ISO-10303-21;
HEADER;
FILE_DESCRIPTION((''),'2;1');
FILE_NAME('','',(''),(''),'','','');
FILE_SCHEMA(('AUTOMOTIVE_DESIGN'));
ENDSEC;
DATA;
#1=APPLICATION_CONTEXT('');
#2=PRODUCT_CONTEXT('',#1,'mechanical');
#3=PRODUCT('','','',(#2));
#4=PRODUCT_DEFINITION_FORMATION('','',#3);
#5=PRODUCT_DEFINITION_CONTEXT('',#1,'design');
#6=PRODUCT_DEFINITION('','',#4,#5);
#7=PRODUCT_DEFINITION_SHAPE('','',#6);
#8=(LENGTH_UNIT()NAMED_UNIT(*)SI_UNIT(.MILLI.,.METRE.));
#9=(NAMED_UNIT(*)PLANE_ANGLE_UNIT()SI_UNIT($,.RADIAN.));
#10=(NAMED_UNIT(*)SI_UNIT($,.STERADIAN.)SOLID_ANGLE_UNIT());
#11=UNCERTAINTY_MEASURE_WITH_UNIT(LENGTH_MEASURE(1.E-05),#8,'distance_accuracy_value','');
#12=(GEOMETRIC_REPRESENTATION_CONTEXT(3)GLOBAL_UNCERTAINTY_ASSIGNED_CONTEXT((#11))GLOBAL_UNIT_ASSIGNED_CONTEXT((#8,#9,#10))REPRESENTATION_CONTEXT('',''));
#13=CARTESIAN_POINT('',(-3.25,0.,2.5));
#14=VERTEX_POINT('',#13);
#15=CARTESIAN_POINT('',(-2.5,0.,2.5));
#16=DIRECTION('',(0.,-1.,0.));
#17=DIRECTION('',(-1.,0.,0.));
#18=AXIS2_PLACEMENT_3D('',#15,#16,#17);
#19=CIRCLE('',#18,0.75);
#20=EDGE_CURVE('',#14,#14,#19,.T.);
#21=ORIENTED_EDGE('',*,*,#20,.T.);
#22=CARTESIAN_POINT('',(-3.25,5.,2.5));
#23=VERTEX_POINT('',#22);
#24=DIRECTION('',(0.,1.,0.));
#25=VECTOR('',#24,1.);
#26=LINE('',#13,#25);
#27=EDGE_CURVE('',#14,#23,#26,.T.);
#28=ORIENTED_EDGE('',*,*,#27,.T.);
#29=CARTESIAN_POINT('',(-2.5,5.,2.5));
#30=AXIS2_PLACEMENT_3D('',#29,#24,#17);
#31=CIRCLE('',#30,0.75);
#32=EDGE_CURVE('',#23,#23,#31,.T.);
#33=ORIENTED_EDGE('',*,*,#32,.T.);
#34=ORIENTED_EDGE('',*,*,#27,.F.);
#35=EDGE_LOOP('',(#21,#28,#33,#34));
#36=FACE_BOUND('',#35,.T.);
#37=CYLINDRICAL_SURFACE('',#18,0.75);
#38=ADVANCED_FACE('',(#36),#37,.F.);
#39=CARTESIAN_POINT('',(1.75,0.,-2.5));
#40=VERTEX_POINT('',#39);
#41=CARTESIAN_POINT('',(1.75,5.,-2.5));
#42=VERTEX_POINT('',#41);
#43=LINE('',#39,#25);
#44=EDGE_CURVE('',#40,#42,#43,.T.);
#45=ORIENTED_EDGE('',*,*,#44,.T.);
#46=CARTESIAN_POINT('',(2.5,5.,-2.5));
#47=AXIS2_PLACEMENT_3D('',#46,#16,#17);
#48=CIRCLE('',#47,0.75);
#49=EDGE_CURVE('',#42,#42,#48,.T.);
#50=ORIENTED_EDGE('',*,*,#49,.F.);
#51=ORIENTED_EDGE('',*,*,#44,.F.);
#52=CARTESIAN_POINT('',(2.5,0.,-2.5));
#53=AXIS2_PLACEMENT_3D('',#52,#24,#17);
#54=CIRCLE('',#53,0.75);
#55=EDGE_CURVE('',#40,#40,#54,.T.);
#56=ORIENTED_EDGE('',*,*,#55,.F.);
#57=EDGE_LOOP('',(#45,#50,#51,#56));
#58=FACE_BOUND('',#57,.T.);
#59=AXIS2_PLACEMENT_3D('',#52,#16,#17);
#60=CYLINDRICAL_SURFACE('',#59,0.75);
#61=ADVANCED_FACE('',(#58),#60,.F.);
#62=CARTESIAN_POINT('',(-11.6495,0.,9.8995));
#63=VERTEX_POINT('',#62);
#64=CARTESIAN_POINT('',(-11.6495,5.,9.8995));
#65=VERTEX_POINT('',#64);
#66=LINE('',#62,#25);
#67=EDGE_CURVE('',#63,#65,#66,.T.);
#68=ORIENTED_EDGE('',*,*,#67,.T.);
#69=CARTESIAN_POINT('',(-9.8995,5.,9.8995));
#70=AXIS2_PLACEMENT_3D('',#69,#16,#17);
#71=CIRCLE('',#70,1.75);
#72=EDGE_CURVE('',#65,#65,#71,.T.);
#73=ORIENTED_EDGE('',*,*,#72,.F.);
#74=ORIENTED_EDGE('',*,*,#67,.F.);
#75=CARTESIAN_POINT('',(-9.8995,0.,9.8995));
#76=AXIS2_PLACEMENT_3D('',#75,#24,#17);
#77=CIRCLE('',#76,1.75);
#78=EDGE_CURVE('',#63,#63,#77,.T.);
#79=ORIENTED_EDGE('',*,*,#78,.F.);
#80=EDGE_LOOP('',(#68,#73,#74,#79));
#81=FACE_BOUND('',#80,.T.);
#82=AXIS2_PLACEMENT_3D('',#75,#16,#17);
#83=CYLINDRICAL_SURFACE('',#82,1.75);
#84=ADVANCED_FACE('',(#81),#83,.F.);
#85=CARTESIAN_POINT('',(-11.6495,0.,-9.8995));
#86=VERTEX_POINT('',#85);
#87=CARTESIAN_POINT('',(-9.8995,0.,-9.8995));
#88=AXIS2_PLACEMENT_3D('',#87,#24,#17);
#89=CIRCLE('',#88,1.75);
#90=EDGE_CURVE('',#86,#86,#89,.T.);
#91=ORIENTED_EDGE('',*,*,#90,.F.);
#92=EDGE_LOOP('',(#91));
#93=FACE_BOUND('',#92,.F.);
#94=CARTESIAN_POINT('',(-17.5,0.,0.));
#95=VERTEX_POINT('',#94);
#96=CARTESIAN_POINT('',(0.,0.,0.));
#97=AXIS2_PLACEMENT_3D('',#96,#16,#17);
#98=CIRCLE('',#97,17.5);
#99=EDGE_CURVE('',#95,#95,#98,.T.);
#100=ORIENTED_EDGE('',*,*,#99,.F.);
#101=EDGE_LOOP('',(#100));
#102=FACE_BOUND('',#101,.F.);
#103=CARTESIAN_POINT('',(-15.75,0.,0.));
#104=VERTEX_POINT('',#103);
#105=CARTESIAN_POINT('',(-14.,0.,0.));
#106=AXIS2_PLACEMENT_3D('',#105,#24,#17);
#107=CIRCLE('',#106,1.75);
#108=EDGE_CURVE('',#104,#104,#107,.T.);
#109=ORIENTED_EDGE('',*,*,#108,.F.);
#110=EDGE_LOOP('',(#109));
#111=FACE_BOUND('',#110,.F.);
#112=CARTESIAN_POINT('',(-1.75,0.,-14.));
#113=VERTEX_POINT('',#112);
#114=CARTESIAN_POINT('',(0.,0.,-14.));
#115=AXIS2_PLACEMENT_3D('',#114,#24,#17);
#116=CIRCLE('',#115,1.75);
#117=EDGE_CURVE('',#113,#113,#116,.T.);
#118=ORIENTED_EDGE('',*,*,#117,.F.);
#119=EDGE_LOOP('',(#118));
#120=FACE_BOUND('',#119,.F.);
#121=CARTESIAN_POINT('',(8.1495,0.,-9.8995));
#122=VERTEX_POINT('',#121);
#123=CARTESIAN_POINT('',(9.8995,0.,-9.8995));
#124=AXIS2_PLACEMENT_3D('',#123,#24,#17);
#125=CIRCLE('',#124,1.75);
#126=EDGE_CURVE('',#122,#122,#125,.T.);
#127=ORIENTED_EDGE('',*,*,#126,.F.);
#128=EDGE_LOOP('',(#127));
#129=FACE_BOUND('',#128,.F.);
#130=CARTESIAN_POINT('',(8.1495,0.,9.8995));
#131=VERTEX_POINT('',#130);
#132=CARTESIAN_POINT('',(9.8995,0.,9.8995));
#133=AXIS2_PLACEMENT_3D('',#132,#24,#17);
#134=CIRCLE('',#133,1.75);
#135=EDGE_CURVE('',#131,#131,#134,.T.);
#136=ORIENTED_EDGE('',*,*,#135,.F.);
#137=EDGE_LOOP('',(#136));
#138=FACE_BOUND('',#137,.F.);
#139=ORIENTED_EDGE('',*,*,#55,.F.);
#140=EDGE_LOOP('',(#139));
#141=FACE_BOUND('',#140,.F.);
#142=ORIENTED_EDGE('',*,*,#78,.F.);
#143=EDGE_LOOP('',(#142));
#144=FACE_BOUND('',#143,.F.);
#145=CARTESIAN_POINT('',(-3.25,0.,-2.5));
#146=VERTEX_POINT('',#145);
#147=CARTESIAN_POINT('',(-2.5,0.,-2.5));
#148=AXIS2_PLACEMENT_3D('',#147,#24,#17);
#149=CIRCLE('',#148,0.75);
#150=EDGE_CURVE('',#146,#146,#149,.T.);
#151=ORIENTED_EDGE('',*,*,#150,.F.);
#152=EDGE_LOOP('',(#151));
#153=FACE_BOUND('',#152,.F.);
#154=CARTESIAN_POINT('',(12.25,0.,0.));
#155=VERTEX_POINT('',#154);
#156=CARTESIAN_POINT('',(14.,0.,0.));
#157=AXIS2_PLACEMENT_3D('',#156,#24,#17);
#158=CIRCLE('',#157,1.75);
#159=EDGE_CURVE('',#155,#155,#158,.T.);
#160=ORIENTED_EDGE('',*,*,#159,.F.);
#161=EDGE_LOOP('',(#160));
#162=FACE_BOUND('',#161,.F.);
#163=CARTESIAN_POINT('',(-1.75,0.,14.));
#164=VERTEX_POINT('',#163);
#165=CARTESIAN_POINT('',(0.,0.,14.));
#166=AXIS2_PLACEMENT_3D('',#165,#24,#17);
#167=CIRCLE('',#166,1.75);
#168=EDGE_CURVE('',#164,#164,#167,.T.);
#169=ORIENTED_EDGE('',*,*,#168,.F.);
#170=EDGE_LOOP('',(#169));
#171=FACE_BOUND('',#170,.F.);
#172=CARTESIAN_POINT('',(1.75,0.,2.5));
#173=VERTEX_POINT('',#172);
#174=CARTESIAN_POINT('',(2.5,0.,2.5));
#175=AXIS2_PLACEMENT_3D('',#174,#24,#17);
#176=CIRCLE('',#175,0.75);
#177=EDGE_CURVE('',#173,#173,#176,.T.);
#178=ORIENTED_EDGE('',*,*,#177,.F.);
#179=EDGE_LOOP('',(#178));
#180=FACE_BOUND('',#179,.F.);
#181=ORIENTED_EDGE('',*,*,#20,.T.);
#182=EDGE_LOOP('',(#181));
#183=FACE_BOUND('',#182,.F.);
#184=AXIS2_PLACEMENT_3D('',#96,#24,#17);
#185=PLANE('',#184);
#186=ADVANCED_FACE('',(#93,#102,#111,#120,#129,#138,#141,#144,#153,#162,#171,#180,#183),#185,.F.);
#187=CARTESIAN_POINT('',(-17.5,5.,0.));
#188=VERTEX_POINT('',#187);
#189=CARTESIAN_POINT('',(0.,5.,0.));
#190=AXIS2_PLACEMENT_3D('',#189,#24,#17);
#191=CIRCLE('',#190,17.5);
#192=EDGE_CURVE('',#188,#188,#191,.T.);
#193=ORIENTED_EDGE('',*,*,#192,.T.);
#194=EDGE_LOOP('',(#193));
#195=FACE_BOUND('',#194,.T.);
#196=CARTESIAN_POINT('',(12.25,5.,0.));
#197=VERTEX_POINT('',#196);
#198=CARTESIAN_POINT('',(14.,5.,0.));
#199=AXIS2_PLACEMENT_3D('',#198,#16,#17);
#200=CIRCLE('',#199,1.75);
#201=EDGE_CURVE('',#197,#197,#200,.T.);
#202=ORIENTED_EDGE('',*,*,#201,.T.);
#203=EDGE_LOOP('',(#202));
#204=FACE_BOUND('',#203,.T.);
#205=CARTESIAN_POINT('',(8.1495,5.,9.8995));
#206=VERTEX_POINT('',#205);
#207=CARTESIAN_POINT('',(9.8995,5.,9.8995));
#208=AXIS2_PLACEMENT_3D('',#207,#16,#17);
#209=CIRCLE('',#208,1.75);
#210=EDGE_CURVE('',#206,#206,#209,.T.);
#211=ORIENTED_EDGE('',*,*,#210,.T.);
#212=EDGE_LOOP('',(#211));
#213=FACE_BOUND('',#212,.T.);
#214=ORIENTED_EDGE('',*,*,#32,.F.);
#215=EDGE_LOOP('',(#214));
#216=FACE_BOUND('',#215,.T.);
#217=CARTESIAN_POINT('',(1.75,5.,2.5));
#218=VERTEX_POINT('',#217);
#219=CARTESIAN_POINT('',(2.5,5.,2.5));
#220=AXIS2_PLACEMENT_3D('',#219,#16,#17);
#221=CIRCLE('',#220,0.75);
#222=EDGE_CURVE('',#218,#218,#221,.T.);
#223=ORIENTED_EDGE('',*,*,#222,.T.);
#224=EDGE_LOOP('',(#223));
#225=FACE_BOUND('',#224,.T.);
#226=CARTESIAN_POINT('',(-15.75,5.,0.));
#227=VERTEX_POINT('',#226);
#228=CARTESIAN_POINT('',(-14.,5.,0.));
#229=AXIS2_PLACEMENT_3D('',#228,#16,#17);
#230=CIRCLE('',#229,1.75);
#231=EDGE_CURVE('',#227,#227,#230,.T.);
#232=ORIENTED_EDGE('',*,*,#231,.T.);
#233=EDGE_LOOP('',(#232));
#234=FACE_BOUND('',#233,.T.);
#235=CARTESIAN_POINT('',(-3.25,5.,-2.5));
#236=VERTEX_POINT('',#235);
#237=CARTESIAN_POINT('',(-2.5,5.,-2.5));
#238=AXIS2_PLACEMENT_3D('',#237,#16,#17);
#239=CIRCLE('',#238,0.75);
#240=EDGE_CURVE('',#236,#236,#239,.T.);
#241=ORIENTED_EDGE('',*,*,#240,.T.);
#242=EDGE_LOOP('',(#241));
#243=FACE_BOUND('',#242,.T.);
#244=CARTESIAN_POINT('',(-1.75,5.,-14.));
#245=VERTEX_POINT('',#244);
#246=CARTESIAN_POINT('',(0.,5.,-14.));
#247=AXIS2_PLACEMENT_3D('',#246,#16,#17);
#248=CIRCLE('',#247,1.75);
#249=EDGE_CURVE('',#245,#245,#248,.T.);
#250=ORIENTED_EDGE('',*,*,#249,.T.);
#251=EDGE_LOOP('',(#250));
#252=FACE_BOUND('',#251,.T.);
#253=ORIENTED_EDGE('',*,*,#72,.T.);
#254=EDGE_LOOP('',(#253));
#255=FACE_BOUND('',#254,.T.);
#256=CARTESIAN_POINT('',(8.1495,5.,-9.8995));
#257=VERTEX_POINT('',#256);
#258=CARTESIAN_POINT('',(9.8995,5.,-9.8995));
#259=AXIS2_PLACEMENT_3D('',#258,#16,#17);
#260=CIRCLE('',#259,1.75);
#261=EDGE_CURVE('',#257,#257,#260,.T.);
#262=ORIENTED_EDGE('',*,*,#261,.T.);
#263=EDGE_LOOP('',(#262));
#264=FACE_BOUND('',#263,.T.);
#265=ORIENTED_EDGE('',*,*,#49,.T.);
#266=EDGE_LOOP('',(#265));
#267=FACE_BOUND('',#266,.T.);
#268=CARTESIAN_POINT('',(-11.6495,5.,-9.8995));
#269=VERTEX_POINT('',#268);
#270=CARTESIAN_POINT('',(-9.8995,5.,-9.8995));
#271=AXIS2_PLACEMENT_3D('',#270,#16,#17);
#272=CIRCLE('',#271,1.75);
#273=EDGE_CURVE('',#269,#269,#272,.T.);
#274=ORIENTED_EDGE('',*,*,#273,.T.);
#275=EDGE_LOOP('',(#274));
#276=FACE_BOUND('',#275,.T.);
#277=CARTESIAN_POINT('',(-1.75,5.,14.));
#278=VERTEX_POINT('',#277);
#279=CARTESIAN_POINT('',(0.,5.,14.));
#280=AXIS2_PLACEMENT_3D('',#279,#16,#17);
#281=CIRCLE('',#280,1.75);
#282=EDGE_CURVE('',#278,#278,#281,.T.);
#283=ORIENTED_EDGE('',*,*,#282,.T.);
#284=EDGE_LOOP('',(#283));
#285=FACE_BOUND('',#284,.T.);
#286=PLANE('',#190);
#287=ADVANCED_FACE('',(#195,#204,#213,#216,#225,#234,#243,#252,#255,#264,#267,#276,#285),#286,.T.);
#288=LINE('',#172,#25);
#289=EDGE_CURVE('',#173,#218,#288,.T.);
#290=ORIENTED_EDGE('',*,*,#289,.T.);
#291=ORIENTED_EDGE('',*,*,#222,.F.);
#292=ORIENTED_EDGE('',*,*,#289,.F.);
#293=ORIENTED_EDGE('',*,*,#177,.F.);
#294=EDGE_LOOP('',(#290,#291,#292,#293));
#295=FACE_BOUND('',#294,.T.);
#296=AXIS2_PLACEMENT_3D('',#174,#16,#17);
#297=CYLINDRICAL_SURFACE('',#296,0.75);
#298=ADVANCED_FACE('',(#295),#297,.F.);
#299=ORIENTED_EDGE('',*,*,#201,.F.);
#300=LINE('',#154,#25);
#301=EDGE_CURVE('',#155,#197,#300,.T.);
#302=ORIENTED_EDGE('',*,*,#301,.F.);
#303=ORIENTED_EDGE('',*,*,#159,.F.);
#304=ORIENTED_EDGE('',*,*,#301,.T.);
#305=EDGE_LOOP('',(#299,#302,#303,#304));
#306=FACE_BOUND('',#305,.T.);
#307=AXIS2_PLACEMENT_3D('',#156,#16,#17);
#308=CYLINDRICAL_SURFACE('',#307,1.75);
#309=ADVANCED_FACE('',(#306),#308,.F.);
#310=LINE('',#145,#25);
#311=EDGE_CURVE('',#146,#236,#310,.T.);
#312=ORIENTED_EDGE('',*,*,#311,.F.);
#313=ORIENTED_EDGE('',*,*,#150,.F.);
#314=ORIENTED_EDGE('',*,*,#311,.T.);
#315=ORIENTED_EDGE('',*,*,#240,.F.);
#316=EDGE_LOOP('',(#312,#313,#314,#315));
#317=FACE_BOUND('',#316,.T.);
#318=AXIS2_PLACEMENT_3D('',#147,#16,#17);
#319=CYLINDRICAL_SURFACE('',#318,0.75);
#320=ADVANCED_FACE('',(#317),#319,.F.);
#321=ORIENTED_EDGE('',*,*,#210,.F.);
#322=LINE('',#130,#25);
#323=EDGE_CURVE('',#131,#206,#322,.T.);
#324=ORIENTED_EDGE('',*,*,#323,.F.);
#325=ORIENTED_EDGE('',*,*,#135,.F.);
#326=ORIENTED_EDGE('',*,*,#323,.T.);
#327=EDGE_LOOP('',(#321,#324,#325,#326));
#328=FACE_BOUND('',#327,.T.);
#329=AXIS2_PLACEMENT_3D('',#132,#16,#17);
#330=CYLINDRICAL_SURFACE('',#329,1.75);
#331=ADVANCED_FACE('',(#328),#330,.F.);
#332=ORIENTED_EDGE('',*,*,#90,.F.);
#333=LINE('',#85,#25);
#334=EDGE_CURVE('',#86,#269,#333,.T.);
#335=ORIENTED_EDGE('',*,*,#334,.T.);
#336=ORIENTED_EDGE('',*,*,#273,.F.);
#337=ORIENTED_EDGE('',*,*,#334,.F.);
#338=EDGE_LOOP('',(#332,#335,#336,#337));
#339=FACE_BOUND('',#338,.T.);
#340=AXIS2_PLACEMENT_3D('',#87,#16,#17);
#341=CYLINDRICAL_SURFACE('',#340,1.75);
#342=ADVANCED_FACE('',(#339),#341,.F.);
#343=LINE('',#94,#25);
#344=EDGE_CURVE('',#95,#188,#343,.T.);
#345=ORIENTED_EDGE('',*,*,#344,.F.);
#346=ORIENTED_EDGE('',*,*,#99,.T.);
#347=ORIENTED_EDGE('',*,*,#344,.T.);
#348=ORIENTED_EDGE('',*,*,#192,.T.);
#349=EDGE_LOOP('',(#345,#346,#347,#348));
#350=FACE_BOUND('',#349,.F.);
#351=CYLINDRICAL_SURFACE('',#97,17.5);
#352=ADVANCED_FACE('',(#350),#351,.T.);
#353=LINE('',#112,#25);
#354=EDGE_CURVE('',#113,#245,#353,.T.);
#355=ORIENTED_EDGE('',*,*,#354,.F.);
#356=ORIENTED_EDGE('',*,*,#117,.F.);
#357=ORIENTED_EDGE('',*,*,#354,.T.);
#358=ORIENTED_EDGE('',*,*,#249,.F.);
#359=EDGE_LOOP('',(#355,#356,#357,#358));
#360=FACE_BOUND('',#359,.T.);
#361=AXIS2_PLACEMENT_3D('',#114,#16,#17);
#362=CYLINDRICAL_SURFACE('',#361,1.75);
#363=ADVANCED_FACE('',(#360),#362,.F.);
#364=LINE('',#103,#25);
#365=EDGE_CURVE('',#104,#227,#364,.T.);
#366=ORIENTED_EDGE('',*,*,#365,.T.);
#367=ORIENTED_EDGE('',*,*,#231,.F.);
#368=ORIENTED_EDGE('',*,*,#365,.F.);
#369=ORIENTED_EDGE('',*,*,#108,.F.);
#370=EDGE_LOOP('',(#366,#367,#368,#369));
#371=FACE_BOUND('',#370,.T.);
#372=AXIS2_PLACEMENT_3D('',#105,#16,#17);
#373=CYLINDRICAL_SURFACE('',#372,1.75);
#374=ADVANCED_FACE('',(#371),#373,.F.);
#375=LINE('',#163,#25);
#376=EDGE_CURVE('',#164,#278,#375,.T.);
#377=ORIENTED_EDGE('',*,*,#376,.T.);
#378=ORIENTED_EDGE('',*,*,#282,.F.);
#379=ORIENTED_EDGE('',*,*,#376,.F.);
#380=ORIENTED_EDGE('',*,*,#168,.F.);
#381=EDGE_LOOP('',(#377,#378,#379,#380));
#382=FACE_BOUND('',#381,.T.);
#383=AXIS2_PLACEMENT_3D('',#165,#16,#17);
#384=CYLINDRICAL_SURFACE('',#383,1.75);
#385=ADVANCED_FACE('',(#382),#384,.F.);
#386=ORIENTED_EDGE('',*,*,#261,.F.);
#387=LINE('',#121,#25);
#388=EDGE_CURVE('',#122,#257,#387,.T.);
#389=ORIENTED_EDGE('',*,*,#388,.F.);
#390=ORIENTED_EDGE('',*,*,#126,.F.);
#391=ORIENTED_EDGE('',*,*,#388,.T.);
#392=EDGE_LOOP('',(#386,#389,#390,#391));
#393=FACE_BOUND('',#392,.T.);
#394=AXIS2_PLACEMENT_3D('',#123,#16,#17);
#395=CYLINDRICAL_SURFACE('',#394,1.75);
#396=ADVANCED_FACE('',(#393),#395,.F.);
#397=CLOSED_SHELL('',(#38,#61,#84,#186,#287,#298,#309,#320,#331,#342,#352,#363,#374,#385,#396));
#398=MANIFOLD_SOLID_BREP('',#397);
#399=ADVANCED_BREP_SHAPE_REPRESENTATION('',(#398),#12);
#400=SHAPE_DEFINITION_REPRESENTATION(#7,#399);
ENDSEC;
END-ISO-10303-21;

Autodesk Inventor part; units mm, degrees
ref_plane "YZ Plane" through (0, 0, 0) normal (1, 0, 0) x (0, 1, 0)
ref_plane "XZ Plane" through (0, 0, 0) normal (0, 1, 0) x (-1, 0, 0)
ref_plane "XY Plane" through (0, 0, 0) normal (0, 0, 1) x (1, 0, 0)
sketch "Szkic1" plane through (0, 0, 0) normal (0, 1, 0) x (-1, 0, 0)
  circle A0 centre (0, 0) radius 10
  circle A1 centre (0, 0) radius 17.5
  line L0 (0, 17.5) -> (0, -17.5)
  line L1 (-17.5, 0) -> (17.5, 0)
  circle A2 centre (2.5, 2.5) radius 0.75
  circle A3 centre (2.5, -2.5) radius 0.75
  circle A4 centre (-2.5, 2.5) radius 0.75
  circle A5 centre (-2.5, -2.5) radius 0.75
  circle A6 centre (0, 14) radius 1.75
  circle A7 centre (0, -14) radius 1.75
  circle A8 centre (14, 0) radius 1.75
  circle A9 centre (-14, 0) radius 1.75
  line L2 (-2.5, -2.5) -> (-12.3744, -12.3744)
  line L3 (2.5, 2.5) -> (12.3744, 12.3744)
  line L4 (2.5, -2.5) -> (12.3744, -12.3744)
  line L5 (-2.5, 2.5) -> (-12.3744, 12.3744)
  circle A10 centre (9.8995, 9.8995) radius 1.75
  circle A11 centre (-9.8995, -9.8995) radius 1.75
  line L6 (-2.5, 2.5) -> (2.5, -2.5)
  line L7 (2.5, 2.5) -> (-2.5, -2.5)
  circle A12 centre (-9.8995, 9.8995) radius 1.75
  circle A13 centre (9.8995, -9.8995) radius 1.75
  dimension "d1" = 35
  dimension "d0" = 20
  dimension "d2" = 1.5
  dimension "d3" = 5
  dimension "d4" = 5
  dimension "d5" = 28
  dimension "d6" = 3.5
  dimension "d7" = 28
  dimension "d8" = 3.5
  dimension "d9" = 3.5
  dimension "d11" = 19.799
extrude "Wyciągnięcie proste1" add sketch "Szkic1" along normal blind 5 contours L1 L7 A2 L3 A0 | L1 A8 A1 L4 A13 A0 | A0 L4 A3 L6 L1 | A0 L3 A10 A1 L1 A8 | L3 A2 L7 L0 A0 | A0 L0 A6 A1 L3 A10 | L4 A13 A1 L0 A7 A0 | A0 L0 L6 A3 L4 | L6 A4 L5 A0 L0 | L7 A5 L2 A0 L1 | L1 A0 L5 A4 L6 | L0 A0 L2 A5 L7 | A0 L5 A12 A1 L0 A6 | L0 A7 A1 L2 A11 A0 | L1 A9 A1 L5 A12 A0 | A0 L2 A11 A1 L1 A9
properties part number "Forma-kolo_dol"
